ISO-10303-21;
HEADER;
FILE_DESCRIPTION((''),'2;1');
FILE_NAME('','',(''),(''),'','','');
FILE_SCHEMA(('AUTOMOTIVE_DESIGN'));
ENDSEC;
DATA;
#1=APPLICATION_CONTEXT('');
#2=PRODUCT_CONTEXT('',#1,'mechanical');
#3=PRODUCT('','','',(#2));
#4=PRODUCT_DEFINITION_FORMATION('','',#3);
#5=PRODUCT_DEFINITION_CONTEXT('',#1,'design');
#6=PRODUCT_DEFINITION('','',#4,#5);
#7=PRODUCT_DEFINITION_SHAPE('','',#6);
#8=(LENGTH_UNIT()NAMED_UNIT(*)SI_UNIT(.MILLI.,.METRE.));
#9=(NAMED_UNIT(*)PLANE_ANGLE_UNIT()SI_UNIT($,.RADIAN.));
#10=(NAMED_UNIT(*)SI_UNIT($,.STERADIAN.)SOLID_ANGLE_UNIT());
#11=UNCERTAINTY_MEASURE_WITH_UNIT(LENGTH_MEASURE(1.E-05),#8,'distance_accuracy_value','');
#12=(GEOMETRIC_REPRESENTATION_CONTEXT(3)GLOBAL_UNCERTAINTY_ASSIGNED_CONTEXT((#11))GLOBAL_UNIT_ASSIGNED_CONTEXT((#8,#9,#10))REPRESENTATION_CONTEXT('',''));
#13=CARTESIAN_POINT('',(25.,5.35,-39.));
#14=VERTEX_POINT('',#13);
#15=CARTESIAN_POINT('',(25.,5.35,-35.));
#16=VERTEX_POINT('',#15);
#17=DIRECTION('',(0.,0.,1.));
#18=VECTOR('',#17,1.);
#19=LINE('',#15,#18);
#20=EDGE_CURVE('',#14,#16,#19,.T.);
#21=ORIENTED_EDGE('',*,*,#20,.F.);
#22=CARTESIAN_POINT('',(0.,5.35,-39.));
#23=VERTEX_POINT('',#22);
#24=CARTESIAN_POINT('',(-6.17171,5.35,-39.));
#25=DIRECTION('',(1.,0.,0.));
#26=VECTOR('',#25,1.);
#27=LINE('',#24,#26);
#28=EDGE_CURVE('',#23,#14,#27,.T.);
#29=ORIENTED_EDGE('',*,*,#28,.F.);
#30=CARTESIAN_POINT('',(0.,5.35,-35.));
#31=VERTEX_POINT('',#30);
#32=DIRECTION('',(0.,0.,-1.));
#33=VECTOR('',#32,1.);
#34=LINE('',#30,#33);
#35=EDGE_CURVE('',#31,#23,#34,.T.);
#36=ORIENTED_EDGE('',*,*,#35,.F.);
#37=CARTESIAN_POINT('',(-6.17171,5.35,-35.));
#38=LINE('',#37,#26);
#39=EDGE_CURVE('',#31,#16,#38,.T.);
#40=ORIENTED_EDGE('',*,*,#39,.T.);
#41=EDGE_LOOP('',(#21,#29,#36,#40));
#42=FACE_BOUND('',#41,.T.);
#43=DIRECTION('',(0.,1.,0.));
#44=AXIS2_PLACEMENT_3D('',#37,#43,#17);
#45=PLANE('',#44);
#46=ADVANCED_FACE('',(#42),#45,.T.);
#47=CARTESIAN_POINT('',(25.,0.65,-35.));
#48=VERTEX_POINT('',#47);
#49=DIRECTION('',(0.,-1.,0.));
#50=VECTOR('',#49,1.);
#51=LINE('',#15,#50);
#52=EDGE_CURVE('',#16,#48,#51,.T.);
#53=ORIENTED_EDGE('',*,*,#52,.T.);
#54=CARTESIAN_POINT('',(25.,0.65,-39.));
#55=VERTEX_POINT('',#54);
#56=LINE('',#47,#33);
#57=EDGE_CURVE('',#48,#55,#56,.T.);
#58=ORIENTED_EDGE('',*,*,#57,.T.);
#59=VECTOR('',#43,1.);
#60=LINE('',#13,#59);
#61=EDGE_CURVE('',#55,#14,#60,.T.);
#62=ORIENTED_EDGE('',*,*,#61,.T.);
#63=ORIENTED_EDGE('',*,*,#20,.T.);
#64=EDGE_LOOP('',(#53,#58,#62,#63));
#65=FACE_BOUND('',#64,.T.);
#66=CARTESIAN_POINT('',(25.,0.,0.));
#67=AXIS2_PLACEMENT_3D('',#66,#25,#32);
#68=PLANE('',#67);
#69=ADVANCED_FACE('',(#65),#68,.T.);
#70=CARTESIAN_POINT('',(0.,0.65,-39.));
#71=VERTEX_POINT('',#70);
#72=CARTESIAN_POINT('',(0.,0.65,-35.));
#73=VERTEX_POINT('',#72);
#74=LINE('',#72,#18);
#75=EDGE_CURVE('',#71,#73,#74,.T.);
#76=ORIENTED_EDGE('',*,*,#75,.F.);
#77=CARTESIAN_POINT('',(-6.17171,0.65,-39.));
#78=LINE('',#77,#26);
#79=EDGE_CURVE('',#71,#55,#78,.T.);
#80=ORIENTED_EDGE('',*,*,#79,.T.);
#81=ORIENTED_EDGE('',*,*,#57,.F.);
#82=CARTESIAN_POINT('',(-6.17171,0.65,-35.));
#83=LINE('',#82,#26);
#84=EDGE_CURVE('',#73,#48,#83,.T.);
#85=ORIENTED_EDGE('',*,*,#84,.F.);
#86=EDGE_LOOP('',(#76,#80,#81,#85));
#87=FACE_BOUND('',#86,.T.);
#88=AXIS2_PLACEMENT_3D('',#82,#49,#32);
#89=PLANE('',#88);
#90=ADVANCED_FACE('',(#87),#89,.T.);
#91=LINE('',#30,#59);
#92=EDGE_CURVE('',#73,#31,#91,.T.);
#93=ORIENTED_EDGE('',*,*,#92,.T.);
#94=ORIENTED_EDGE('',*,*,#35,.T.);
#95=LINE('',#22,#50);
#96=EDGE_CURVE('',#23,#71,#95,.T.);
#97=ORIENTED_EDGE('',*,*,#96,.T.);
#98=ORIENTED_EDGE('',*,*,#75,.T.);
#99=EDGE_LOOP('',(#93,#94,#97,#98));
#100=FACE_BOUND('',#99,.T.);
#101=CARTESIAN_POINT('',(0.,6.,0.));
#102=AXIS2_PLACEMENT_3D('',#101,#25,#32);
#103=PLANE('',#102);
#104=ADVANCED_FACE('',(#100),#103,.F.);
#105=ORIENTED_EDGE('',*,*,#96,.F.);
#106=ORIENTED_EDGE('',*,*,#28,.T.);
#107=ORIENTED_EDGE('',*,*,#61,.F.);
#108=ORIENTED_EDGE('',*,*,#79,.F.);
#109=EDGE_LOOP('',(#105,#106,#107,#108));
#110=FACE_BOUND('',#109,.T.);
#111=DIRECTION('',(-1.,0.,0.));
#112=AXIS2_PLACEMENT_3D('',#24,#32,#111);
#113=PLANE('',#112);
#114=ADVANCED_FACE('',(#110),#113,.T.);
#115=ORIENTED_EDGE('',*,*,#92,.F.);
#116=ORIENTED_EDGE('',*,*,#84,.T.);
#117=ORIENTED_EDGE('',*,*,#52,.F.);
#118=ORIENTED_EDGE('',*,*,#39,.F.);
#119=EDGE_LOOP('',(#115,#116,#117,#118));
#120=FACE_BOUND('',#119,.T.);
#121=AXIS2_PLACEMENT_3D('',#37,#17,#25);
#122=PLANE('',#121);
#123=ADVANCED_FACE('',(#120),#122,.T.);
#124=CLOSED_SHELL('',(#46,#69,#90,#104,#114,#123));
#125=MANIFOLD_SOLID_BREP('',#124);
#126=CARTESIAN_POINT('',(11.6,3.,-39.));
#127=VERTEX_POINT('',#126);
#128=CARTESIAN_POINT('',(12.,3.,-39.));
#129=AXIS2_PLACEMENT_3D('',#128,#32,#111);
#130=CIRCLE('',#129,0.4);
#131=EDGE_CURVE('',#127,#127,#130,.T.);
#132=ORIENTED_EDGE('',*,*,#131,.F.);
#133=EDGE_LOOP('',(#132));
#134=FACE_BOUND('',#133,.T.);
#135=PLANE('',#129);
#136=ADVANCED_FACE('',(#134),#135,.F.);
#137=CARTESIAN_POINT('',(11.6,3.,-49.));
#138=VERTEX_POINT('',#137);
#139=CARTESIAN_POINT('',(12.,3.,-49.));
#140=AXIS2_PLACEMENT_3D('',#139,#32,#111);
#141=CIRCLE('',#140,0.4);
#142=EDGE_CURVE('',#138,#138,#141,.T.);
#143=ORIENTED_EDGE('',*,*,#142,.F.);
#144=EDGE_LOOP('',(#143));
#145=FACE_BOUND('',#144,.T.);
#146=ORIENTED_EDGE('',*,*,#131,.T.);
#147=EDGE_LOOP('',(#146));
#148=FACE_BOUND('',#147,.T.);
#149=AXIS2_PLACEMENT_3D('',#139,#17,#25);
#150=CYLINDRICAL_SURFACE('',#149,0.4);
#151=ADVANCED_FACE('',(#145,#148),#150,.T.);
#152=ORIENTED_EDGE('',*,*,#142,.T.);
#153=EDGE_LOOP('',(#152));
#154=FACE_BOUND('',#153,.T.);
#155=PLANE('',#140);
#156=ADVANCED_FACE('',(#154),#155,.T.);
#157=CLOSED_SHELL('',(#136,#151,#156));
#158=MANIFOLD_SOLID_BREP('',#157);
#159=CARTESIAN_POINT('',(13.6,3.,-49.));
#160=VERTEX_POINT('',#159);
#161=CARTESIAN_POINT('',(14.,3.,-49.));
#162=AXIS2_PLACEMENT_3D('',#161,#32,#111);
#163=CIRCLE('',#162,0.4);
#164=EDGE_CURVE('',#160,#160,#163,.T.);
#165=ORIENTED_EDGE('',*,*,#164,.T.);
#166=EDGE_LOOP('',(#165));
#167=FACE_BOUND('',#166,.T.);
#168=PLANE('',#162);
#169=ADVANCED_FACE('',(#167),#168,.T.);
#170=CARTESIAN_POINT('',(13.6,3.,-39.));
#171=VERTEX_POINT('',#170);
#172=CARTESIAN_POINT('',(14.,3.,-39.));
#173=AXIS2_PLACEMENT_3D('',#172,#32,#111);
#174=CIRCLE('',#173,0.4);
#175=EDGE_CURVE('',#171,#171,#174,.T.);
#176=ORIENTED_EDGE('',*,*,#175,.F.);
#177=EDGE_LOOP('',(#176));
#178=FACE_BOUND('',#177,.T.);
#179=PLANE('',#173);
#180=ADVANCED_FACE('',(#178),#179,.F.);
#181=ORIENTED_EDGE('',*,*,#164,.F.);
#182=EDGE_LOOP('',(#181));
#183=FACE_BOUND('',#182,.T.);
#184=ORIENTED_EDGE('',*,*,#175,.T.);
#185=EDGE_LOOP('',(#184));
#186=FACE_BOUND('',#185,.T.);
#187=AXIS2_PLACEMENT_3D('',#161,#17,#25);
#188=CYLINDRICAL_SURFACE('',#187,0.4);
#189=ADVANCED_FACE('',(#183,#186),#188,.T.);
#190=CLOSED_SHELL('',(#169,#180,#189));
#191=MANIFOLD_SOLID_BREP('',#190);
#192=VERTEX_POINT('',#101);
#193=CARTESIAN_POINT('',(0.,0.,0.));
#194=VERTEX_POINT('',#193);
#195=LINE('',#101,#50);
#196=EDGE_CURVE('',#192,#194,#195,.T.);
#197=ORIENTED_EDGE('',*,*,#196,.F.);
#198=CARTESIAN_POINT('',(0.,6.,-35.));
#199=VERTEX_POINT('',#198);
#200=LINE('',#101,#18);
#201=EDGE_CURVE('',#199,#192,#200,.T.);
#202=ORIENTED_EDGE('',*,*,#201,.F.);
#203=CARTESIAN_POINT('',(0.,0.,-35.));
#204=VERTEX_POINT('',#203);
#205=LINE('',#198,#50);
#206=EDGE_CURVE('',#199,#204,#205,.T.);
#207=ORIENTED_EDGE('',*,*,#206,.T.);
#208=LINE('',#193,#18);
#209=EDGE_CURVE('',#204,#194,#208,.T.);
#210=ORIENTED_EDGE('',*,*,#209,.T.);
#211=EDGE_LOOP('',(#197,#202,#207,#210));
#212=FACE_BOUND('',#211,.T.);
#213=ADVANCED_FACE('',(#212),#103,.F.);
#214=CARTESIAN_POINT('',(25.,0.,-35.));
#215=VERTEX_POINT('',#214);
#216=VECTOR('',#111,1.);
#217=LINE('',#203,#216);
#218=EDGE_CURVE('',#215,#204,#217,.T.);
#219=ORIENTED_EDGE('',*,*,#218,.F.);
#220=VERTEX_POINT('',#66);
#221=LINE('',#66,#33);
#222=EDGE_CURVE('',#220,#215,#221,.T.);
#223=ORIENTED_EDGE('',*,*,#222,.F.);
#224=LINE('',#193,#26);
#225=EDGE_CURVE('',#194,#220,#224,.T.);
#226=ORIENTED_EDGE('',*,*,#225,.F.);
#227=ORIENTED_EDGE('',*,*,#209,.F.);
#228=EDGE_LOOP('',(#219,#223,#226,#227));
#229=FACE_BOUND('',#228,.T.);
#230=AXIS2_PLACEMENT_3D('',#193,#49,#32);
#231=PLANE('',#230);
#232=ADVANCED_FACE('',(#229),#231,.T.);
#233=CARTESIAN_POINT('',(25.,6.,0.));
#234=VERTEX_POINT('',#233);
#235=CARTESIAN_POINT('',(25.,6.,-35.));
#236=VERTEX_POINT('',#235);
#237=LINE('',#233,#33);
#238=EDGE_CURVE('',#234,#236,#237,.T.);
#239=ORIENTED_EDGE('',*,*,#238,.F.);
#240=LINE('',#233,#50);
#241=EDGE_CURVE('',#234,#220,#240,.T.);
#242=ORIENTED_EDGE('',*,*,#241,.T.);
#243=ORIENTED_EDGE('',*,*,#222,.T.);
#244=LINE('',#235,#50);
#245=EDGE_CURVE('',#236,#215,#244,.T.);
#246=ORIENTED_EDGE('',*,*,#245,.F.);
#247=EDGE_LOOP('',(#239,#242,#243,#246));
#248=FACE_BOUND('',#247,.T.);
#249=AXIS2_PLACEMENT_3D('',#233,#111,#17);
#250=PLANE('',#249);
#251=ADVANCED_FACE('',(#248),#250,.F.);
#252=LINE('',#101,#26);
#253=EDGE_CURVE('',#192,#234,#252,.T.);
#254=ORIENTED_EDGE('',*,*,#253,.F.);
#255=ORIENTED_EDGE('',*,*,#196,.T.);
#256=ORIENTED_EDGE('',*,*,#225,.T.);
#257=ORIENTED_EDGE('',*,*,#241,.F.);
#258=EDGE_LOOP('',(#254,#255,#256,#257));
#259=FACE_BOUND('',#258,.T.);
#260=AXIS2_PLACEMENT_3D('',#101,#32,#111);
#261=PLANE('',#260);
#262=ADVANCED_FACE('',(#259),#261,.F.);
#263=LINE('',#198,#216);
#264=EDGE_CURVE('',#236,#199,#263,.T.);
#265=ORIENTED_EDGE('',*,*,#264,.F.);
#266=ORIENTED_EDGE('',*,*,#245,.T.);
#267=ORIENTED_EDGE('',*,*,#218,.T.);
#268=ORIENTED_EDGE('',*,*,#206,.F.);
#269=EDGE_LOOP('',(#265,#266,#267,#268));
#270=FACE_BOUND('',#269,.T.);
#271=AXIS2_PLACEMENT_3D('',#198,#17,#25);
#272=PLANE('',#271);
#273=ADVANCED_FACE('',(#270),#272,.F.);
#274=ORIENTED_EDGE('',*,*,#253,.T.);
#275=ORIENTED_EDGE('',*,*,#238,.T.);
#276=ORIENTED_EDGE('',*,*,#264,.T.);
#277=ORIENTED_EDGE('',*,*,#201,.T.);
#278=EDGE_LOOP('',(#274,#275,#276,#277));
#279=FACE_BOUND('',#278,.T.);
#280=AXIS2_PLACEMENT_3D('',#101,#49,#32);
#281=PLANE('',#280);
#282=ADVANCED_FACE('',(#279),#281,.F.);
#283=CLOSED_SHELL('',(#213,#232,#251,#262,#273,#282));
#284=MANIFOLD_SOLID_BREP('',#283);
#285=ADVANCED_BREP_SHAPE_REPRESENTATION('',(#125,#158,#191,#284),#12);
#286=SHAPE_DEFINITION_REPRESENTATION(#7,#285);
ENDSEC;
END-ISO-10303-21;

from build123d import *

# Parameters (mm, degrees)
SKETCH1_W             = 25
SKETCH1_H             = 35
BOSS_EXTRUDE1_DEPTH   = 6
SKETCH2_W             = 4
SKETCH2_H             = 4.7
BOSS_EXTRUDE2_DEPTH   = 25
SKETCH3_R             = 0.4
BOSS_EXTRUDE3_DEPTH   = 10
BOSS_EXTRUDE3_2_DEPTH = 10


with BuildPart() as part:
    # Sketch1 → Boss-Extrude1 (new body)
    with BuildSketch(Plane(origin=(0, 0, 0), x_dir=(1, 0, 0), z_dir=(0, 1, 0))):
        with Locations((12.5, 17.5)):
            Rectangle(SKETCH1_W, SKETCH1_H)
    extrude(amount=BOSS_EXTRUDE1_DEPTH)


with BuildPart() as body_2:
    # Sketch2 → Boss-Extrude2 (new body)
    with BuildSketch(Plane(origin=(25, 0, 0), x_dir=(0, 0, -1), z_dir=(1, 0, 0))):
        with Locations((37, 3)):
            Rectangle(SKETCH2_W, SKETCH2_H)
    extrude(amount=-BOSS_EXTRUDE2_DEPTH)


with BuildPart() as body_3:
    # Sketch3 → Boss-Extrude3 (new body)
    with BuildSketch(Plane(origin=(0, 0, -39), x_dir=(-1, 0, 0), z_dir=(0, 0, -1))):
        with Locations((-14, 3)):
            Circle(SKETCH3_R)
    extrude(amount=BOSS_EXTRUDE3_DEPTH)


with BuildPart() as body_4:
    # Sketch3 → Boss-Extrude3 2 (new body)
    with BuildSketch(Plane(origin=(0, 0, -39), x_dir=(-1, 0, 0), z_dir=(0, 0, -1))):
        with Locations((-12, 3)):
            Circle(SKETCH3_R)
    extrude(amount=BOSS_EXTRUDE3_2_DEPTH)


solid = Compound([part.part, body_2.part, body_3.part, body_4.part])
